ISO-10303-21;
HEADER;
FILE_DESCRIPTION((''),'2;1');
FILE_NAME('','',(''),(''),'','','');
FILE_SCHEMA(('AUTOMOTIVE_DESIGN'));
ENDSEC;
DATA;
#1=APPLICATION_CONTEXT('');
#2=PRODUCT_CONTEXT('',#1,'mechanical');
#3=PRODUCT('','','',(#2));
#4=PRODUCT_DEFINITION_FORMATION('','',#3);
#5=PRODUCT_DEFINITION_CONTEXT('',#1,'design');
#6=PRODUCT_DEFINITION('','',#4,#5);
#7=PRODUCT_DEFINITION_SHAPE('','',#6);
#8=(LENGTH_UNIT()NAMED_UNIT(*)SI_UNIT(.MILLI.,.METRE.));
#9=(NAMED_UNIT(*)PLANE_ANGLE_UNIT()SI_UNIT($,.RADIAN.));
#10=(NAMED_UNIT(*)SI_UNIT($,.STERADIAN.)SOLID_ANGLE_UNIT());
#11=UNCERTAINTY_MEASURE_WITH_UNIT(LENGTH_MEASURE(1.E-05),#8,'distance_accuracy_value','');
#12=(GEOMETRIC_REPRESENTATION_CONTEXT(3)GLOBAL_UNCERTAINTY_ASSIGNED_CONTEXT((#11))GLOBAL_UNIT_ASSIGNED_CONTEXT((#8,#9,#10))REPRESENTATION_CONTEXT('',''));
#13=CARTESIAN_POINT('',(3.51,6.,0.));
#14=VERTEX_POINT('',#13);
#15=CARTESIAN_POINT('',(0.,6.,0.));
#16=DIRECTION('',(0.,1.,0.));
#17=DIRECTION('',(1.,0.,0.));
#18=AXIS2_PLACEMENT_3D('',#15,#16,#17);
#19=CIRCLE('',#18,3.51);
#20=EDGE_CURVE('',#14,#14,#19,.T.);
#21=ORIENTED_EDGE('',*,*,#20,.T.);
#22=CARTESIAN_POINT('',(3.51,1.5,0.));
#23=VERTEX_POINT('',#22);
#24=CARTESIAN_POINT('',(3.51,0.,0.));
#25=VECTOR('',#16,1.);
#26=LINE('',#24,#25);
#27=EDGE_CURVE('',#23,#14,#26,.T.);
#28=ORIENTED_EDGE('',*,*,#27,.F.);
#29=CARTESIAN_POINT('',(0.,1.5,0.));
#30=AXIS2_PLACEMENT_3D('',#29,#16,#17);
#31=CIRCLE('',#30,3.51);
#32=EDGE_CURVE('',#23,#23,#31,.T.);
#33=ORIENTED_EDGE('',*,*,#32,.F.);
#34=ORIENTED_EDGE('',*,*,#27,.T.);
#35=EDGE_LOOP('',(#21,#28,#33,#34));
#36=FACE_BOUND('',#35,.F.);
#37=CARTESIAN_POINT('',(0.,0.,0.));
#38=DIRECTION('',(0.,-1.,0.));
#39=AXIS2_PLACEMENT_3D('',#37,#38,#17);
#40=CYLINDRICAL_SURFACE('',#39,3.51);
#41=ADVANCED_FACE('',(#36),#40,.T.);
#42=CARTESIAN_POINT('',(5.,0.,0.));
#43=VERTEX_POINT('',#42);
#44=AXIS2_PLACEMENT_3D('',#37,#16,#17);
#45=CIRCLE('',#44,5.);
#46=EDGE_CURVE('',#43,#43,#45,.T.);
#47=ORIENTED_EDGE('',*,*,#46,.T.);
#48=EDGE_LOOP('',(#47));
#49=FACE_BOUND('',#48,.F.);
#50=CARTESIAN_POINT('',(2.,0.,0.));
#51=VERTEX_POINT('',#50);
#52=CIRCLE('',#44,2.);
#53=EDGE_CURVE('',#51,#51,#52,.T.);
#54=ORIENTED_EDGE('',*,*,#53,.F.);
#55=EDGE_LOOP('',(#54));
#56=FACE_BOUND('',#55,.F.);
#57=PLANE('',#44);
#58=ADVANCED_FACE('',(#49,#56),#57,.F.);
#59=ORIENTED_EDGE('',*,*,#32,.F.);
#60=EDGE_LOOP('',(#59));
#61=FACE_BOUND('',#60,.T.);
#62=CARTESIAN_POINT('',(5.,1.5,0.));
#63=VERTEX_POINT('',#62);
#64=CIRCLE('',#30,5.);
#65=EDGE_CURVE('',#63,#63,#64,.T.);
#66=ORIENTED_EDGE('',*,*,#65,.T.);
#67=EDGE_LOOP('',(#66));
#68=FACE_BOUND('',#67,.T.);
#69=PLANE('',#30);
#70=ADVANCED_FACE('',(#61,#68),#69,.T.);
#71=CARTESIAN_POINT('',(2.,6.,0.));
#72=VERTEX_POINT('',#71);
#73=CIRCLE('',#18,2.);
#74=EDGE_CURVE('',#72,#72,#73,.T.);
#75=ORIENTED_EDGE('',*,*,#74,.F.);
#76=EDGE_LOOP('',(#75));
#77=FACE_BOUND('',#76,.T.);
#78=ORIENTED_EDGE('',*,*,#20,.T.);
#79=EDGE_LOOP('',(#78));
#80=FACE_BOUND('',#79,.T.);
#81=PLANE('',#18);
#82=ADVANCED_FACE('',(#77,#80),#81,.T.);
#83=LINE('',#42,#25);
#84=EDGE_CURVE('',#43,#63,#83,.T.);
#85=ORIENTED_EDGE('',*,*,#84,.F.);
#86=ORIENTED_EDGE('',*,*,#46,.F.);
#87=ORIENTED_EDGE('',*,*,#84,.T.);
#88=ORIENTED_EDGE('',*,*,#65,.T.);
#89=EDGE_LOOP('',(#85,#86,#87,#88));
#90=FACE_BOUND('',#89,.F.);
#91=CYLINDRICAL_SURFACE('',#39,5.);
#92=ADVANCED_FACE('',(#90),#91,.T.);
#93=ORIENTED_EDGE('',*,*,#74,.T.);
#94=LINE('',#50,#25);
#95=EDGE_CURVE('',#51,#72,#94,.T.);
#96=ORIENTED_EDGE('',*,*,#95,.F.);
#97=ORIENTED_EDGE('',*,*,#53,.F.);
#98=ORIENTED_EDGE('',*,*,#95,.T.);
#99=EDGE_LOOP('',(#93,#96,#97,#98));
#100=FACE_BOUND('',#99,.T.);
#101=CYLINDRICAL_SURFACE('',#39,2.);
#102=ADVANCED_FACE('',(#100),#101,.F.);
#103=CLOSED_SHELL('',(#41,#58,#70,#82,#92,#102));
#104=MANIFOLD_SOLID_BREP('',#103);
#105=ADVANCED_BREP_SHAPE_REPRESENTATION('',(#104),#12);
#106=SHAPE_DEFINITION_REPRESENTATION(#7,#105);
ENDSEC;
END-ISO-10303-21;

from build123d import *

# Parameters (mm, degrees)
SKETCH2_R           = 3.51
SKETCH2_R_2         = 2
BOSS_EXTRUDE1_DEPTH = 6
SKETCH3_R           = 5
SKETCH3_R_2         = 3.51
BOSS_EXTRUDE2_DEPTH = 1.5


with BuildPart() as part:
    # Sketch2 → Boss-Extrude1 (new body)
    with BuildSketch(Plane(origin=(0, 0, 0), x_dir=(1, 0, 0), z_dir=(0, 1, 0))):
        Circle(SKETCH2_R)
        Circle(SKETCH2_R_2, mode=Mode.SUBTRACT)
    extrude(amount=BOSS_EXTRUDE1_DEPTH)

    # Sketch3 → Boss-Extrude2 (add)
    with BuildSketch(Plane(origin=(0, 0, 0), x_dir=(1, 0, 0), z_dir=(0, 1, 0))):
        Circle(SKETCH3_R)
        Circle(SKETCH3_R_2, mode=Mode.SUBTRACT)
    extrude(amount=BOSS_EXTRUDE2_DEPTH)


solid = part.part
